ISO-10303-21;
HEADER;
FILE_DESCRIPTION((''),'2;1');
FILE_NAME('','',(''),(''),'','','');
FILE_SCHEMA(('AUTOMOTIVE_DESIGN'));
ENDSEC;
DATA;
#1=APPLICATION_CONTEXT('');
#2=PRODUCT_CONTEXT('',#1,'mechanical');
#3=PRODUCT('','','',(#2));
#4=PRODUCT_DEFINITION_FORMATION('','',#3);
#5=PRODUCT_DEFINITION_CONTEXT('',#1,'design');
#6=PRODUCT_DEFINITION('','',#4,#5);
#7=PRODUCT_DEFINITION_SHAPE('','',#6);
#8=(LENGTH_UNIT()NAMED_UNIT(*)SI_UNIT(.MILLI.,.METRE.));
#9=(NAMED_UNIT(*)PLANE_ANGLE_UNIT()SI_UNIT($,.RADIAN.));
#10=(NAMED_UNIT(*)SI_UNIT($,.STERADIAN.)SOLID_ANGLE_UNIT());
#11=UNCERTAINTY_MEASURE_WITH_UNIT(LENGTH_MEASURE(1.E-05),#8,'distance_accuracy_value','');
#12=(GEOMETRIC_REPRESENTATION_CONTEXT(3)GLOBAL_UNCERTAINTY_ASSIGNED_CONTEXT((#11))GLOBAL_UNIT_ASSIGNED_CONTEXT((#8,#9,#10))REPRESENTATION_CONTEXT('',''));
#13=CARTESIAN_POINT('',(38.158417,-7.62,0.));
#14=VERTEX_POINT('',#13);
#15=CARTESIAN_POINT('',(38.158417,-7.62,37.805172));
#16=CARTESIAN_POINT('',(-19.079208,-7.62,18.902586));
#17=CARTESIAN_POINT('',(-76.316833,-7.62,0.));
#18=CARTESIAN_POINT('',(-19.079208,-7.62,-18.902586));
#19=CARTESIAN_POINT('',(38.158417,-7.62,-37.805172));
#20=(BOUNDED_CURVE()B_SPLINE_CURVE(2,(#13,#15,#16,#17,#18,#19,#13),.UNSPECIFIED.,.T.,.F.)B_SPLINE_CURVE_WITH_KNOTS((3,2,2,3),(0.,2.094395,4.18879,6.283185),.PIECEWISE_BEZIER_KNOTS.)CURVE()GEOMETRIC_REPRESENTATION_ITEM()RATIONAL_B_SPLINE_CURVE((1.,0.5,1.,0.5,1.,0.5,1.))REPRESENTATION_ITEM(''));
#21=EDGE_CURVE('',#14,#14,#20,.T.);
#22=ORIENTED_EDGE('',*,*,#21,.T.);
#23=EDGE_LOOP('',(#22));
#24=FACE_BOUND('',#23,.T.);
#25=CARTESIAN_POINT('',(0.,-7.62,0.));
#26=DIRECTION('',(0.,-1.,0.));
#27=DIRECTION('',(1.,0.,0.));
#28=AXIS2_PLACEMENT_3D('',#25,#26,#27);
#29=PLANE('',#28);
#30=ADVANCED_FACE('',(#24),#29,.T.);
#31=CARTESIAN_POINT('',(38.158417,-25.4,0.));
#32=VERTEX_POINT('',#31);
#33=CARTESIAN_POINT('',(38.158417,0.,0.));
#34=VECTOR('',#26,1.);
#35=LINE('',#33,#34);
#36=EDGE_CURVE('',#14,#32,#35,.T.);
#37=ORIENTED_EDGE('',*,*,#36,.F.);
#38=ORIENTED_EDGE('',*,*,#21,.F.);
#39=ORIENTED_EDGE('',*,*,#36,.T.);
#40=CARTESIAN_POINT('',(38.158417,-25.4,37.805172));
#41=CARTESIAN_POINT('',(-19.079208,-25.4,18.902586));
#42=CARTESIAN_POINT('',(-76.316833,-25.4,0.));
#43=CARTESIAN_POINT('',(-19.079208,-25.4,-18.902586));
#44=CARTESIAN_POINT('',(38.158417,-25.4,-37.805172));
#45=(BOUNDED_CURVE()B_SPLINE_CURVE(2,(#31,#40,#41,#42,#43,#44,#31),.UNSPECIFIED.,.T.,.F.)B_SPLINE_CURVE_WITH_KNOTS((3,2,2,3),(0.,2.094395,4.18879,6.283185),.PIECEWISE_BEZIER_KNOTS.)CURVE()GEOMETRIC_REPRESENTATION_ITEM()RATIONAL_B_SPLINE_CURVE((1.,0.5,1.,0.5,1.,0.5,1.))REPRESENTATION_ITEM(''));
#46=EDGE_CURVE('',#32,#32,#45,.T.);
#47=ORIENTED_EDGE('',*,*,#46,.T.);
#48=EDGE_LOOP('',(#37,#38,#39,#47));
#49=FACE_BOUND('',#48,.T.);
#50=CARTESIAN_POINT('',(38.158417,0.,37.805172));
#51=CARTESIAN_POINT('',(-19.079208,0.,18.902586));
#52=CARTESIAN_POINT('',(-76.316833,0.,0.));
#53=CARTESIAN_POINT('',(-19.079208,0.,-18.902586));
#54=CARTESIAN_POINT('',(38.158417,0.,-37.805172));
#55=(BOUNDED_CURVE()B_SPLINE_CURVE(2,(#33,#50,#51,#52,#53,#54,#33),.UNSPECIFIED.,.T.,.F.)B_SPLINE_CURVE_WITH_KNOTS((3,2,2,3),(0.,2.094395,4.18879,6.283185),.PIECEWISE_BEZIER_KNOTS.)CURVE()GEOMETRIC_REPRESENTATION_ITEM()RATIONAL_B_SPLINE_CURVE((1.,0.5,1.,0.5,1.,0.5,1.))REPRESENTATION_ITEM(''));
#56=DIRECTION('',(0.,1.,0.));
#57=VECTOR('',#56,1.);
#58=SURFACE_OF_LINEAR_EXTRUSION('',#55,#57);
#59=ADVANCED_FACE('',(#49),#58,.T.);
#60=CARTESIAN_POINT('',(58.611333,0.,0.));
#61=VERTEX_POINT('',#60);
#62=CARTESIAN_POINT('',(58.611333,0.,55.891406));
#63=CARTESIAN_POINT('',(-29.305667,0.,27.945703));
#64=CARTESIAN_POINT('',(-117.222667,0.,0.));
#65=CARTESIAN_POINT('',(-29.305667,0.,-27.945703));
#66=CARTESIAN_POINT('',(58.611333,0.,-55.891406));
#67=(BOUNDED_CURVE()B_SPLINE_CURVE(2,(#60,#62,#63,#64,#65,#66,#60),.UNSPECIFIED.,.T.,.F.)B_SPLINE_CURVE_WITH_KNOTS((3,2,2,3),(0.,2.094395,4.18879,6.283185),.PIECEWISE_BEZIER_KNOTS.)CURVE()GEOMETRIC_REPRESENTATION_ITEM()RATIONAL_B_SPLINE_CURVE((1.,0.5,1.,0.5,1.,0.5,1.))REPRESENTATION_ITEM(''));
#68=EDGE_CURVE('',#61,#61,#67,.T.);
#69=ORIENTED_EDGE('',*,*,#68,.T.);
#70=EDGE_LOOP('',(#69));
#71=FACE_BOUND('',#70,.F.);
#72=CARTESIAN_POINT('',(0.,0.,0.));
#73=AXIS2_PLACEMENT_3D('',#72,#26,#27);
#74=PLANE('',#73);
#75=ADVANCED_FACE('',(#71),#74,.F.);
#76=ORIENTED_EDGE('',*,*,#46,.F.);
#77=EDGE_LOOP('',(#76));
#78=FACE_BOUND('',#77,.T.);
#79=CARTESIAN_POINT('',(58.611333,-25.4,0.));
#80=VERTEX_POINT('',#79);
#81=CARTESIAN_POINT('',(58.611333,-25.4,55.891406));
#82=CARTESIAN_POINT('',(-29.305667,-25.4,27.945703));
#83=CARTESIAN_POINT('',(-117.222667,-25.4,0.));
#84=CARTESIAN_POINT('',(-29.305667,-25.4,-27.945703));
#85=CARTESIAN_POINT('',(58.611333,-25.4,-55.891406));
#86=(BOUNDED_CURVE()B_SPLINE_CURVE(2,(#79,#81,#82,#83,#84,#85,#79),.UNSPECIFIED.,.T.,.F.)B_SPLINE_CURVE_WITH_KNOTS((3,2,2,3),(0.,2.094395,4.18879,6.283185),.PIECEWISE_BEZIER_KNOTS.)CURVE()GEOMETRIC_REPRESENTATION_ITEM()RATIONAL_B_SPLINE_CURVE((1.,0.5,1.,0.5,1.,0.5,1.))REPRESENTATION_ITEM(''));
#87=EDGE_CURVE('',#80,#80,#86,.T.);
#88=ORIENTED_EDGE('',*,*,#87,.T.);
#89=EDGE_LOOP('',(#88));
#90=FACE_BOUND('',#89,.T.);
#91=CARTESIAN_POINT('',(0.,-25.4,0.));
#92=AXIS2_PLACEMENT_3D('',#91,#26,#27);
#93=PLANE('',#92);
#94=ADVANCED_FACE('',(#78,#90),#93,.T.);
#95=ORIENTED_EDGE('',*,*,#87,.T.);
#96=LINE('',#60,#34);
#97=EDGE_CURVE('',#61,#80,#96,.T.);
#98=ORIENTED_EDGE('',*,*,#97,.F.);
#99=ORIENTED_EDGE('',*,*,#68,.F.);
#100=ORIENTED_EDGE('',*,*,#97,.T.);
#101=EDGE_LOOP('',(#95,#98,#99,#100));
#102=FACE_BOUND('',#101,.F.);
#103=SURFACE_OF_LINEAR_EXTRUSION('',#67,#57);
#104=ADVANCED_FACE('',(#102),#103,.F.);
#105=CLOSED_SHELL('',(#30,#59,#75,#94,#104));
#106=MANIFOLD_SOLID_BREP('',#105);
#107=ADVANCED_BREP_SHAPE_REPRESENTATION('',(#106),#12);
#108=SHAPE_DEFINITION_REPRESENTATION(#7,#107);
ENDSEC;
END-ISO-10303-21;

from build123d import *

# Parameters (mm, degrees)
F1_DEPTH = 25.4
F2_DEPTH = 7.62


with BuildPart() as f1:
    # F0 (on Front) → F1 (new body)
    with BuildSketch(Plane.XZ):
        with BuildLine():
            add(Edge.make_bspline(
                [(58.611333, 0), (58.611333, 55.891406), (-29.305667, 27.945703), (-117.222667, 0), (-29.305667, -27.945703), (58.611333, -55.891406), (58.611333, 0)],
                knots=[0, 0, 0, 2.094395, 2.094395, 4.18879, 4.18879, 6.283185, 6.283185, 6.283185], degree=2, weights=[1, 0.5, 1, 0.5, 1, 0.5, 1]))
        make_face()
        with BuildLine():
            add(Edge.make_bspline(
                [(38.158417, 0), (38.158417, 37.805172), (-19.079208, 18.902586), (-76.316833, 0), (-19.079208, -18.902586), (38.158417, -37.805172), (38.158417, 0)],
                knots=[0, 0, 0, 2.094395, 2.094395, 4.18879, 4.18879, 6.283185, 6.283185, 6.283185], degree=2, weights=[1, 0.5, 1, 0.5, 1, 0.5, 1]))
        make_face(mode=Mode.SUBTRACT)
    extrude(amount=F1_DEPTH)

    # F0 (on Front) → F2 (join)
    with BuildSketch(Plane.XZ):
        with BuildLine():
            add(Edge.make_bspline(
                [(38.158417, 0), (38.158417, 37.805172), (-19.079208, 18.902586), (-76.316833, 0), (-19.079208, -18.902586), (38.158417, -37.805172), (38.158417, 0)],
                knots=[0, 0, 0, 2.094395, 2.094395, 4.18879, 4.18879, 6.283185, 6.283185, 6.283185], degree=2, weights=[1, 0.5, 1, 0.5, 1, 0.5, 1]))
        make_face()
    extrude(amount=F2_DEPTH)


solid = f1.part
